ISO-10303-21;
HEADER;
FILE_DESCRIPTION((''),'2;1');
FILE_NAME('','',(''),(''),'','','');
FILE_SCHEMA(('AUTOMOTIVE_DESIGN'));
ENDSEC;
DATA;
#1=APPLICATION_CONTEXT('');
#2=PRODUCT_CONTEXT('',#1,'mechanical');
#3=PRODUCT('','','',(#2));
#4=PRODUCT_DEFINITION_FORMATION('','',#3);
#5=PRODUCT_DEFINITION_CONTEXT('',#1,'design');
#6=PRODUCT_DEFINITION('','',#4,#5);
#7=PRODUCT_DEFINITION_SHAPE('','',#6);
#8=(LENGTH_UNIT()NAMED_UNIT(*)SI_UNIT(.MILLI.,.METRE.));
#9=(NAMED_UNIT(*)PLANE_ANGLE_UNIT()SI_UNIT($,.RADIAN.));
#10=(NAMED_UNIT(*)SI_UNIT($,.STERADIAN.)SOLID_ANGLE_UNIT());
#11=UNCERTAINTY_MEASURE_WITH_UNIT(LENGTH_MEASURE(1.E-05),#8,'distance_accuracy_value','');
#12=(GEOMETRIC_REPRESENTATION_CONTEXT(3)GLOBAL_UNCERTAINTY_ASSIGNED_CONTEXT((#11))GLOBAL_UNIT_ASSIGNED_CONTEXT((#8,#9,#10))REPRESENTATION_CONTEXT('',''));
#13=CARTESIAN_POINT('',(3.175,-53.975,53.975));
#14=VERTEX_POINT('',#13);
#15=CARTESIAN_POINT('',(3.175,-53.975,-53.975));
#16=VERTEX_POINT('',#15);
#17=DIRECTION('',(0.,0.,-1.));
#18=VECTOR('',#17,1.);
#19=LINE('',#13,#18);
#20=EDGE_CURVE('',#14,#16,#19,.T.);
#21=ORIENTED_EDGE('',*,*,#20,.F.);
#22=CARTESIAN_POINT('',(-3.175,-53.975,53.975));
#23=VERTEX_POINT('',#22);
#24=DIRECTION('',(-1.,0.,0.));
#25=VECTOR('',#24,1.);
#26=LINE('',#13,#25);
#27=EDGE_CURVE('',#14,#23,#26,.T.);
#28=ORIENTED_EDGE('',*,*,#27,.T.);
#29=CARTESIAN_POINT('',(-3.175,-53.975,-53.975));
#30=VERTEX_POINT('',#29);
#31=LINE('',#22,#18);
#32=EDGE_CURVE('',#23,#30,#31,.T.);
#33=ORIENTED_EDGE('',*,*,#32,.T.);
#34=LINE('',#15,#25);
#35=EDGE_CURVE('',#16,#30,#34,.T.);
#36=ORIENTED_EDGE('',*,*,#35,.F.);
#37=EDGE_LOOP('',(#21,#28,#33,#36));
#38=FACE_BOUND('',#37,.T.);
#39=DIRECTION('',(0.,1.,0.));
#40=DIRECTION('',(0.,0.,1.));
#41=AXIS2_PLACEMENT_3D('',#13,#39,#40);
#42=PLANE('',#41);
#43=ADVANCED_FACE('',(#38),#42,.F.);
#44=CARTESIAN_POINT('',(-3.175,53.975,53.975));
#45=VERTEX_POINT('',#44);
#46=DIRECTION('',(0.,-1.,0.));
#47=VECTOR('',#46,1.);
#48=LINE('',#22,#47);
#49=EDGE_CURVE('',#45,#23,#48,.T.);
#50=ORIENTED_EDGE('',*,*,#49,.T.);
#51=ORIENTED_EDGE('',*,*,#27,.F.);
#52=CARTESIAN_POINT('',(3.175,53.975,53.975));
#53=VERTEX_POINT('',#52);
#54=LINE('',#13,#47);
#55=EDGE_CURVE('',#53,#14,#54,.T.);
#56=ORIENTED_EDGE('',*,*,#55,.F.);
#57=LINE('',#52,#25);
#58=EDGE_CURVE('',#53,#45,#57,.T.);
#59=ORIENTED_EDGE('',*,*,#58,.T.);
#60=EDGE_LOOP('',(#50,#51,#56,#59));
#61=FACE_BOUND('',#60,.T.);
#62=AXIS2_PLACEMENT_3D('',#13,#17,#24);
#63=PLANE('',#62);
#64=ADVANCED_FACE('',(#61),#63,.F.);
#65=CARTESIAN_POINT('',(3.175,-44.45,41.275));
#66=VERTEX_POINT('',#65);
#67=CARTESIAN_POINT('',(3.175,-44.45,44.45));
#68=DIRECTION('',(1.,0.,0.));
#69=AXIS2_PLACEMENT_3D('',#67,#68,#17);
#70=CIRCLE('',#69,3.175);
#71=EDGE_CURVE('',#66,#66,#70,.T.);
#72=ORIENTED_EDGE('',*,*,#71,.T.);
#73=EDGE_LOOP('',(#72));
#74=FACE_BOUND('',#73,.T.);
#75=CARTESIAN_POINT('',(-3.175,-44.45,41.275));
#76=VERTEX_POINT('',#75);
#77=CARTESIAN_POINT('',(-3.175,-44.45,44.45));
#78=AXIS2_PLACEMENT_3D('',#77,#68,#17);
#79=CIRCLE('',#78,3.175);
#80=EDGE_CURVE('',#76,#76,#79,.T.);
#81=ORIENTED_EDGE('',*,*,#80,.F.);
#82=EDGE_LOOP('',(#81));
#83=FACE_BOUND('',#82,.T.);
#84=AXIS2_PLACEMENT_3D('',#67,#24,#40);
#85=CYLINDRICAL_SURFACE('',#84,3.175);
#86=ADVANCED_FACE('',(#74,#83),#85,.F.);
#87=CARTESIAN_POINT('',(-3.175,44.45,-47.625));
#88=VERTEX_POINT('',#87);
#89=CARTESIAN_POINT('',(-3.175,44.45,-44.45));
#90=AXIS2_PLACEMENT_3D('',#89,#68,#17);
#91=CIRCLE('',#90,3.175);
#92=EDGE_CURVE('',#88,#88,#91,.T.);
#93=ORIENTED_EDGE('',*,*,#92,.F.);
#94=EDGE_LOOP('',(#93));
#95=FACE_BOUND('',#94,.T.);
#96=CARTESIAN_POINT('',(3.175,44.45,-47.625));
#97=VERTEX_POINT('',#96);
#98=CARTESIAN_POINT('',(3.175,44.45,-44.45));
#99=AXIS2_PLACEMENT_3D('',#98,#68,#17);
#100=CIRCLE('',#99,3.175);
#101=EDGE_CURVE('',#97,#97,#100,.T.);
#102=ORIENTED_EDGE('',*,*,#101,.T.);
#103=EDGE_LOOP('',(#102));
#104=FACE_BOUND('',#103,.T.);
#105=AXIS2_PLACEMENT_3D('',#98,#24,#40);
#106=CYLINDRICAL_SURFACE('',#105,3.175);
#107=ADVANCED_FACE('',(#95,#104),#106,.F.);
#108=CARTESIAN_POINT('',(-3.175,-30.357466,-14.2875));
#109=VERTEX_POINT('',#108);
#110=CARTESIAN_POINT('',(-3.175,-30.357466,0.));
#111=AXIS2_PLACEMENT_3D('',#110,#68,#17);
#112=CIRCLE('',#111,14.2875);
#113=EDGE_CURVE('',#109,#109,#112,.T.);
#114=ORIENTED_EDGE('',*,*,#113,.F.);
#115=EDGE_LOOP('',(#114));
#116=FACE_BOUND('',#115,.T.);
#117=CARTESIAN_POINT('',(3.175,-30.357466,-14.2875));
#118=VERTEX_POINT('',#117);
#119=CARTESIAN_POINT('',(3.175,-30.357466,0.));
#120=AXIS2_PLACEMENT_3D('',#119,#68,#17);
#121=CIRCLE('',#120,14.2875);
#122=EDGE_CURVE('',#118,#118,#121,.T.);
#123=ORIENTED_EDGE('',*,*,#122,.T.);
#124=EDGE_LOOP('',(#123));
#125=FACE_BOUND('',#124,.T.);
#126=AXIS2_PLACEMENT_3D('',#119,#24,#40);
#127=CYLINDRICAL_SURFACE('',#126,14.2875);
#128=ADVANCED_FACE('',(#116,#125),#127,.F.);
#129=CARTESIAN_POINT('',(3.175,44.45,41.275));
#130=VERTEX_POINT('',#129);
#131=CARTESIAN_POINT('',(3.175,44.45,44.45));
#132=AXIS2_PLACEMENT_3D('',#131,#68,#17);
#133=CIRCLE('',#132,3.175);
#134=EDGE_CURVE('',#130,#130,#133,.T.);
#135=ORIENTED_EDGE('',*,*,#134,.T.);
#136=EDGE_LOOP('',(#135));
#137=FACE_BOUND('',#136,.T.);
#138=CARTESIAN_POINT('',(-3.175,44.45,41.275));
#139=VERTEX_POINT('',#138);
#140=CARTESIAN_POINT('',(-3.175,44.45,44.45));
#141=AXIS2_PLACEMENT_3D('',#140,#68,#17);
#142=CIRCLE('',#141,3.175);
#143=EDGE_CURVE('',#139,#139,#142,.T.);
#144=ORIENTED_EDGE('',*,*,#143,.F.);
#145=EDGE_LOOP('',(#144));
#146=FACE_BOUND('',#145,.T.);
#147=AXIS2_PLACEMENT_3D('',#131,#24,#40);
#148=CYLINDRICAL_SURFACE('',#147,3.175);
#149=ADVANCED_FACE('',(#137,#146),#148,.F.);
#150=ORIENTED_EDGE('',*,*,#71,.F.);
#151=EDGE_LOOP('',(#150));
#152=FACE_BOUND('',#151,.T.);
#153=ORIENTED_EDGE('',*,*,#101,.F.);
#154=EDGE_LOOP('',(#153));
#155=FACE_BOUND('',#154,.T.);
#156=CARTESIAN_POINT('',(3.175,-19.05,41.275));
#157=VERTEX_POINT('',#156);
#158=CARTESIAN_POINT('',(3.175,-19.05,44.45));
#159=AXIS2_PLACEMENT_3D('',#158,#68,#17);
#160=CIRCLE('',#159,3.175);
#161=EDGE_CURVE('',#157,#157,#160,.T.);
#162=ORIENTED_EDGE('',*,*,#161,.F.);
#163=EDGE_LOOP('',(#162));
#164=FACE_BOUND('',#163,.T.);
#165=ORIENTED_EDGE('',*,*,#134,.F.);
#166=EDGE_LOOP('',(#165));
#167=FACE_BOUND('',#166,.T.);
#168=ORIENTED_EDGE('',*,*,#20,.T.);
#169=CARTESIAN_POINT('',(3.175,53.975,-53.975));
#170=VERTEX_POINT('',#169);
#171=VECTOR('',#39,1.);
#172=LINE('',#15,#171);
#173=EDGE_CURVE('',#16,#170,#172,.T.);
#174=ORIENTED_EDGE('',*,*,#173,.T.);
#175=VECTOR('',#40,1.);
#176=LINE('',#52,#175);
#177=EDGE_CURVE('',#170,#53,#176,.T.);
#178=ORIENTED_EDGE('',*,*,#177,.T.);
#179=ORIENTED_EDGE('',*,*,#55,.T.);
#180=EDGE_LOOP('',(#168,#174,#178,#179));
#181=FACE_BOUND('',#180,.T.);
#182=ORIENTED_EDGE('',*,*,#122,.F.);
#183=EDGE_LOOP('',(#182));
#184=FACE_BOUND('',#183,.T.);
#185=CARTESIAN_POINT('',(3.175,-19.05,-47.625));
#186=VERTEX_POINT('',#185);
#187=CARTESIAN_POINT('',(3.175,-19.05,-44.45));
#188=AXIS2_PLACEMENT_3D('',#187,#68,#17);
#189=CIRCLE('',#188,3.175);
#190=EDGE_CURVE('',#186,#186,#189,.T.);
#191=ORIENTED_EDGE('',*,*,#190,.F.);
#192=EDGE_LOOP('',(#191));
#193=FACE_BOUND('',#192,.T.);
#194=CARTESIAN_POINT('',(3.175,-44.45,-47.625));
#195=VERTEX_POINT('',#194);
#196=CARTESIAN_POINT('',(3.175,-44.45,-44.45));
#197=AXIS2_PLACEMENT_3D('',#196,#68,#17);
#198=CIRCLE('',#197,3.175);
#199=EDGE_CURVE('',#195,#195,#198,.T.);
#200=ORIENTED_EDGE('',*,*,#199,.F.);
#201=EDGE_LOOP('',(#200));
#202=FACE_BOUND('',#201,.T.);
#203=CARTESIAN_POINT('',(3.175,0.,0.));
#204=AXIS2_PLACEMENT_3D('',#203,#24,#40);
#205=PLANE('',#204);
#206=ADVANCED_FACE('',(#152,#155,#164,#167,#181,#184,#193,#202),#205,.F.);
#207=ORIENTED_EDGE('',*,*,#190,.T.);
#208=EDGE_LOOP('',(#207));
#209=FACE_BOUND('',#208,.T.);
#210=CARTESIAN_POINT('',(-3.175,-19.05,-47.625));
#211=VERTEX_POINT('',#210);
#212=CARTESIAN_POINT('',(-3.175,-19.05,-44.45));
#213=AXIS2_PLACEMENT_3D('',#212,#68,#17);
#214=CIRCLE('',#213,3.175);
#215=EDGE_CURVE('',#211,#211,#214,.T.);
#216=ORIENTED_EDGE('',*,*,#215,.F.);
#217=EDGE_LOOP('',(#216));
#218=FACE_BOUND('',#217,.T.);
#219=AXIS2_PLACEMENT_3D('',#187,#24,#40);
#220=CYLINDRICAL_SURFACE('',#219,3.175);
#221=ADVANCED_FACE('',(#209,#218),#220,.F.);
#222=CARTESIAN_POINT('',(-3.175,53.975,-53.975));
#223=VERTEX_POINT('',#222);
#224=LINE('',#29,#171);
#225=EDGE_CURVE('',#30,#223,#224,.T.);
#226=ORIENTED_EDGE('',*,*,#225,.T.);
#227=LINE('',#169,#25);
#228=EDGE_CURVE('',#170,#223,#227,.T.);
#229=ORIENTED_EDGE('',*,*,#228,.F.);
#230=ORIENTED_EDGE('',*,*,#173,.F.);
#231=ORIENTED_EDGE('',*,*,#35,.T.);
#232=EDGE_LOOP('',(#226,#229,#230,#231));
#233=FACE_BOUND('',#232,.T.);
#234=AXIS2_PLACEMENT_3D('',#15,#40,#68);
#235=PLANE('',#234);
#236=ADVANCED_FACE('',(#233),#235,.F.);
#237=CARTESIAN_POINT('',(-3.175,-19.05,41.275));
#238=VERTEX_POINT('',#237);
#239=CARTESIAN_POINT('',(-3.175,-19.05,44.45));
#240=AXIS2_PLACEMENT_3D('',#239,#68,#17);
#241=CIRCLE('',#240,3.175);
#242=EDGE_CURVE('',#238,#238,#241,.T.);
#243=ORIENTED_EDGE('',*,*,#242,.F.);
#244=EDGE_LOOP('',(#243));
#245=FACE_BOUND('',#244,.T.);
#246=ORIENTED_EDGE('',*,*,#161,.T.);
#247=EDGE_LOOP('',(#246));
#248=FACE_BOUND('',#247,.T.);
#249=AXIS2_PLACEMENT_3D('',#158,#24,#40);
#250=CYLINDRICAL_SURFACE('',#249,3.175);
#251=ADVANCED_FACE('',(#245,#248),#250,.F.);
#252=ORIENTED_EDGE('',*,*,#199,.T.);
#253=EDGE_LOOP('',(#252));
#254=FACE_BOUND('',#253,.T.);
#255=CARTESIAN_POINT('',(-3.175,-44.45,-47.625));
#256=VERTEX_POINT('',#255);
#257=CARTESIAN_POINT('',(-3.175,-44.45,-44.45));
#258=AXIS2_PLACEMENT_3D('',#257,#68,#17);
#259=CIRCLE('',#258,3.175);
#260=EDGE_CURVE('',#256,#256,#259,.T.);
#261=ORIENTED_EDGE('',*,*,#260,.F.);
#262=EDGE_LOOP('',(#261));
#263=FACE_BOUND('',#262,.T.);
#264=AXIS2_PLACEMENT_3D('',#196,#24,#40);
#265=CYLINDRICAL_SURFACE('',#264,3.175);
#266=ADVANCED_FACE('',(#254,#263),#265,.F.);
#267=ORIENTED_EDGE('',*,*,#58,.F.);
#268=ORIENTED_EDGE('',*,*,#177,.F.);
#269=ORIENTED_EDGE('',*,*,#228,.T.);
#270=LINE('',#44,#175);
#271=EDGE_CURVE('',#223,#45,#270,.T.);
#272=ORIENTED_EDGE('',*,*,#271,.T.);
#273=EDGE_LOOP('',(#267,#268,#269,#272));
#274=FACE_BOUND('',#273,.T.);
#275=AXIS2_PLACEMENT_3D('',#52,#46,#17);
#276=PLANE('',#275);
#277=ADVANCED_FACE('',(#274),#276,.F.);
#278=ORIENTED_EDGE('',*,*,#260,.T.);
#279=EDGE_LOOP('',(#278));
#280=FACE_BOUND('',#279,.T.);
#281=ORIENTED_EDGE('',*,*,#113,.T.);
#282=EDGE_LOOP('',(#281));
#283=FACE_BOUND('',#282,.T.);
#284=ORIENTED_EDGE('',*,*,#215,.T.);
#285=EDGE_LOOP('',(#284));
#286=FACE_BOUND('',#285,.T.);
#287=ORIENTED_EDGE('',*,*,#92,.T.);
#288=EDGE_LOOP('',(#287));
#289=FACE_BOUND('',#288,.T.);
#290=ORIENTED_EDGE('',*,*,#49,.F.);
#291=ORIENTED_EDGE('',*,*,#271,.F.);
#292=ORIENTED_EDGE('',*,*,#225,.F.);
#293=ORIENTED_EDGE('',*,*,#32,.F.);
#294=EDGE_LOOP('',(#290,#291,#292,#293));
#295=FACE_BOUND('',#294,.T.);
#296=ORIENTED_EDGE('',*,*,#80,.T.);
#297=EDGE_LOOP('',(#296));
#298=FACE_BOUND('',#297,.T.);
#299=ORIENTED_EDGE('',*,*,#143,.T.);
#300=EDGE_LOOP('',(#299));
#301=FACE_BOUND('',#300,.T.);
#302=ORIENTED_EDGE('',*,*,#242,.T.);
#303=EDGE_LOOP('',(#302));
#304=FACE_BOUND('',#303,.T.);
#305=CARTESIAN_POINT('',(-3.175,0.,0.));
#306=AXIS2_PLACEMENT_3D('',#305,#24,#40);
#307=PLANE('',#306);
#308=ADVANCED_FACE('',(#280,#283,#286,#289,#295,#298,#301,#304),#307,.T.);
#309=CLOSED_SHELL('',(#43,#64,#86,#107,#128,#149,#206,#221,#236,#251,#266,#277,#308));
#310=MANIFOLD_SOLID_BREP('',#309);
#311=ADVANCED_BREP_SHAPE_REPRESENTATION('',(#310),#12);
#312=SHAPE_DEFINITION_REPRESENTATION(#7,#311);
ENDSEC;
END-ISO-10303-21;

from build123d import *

# Parameters (mm, degrees)
SKETCH1_W           = 107.95
SKETCH1_H           = 107.95
SKETCH1_R           = 3.175
SKETCH1_R_2         = 14.2875
BOSS_EXTRUDE1_DEPTH = 3.175


with BuildPart() as part:
    # Sketch1 → Boss-Extrude1 (new, symmetric)
    with BuildSketch(Plane(origin=(0, 0, 0), x_dir=(0, 0, -1), z_dir=(1, 0, 0))):
        Rectangle(SKETCH1_W, SKETCH1_H)
        with Locations((-44.45, 44.45)):
            Circle(SKETCH1_R, mode=Mode.SUBTRACT)
        with Locations((-44.45, -19.05)):
            Circle(SKETCH1_R, mode=Mode.SUBTRACT)
        with Locations((-44.45, -44.45)):
            Circle(SKETCH1_R, mode=Mode.SUBTRACT)
        with Locations((44.45, -44.45)):
            Circle(SKETCH1_R, mode=Mode.SUBTRACT)
        with Locations((44.45, -19.05)):
            Circle(SKETCH1_R, mode=Mode.SUBTRACT)
        with Locations((44.45, 44.45)):
            Circle(SKETCH1_R, mode=Mode.SUBTRACT)
        with Locations((0, -30.357466082)):
            Circle(SKETCH1_R_2, mode=Mode.SUBTRACT)
    extrude(amount=BOSS_EXTRUDE1_DEPTH, both=True)


solid = part.part
